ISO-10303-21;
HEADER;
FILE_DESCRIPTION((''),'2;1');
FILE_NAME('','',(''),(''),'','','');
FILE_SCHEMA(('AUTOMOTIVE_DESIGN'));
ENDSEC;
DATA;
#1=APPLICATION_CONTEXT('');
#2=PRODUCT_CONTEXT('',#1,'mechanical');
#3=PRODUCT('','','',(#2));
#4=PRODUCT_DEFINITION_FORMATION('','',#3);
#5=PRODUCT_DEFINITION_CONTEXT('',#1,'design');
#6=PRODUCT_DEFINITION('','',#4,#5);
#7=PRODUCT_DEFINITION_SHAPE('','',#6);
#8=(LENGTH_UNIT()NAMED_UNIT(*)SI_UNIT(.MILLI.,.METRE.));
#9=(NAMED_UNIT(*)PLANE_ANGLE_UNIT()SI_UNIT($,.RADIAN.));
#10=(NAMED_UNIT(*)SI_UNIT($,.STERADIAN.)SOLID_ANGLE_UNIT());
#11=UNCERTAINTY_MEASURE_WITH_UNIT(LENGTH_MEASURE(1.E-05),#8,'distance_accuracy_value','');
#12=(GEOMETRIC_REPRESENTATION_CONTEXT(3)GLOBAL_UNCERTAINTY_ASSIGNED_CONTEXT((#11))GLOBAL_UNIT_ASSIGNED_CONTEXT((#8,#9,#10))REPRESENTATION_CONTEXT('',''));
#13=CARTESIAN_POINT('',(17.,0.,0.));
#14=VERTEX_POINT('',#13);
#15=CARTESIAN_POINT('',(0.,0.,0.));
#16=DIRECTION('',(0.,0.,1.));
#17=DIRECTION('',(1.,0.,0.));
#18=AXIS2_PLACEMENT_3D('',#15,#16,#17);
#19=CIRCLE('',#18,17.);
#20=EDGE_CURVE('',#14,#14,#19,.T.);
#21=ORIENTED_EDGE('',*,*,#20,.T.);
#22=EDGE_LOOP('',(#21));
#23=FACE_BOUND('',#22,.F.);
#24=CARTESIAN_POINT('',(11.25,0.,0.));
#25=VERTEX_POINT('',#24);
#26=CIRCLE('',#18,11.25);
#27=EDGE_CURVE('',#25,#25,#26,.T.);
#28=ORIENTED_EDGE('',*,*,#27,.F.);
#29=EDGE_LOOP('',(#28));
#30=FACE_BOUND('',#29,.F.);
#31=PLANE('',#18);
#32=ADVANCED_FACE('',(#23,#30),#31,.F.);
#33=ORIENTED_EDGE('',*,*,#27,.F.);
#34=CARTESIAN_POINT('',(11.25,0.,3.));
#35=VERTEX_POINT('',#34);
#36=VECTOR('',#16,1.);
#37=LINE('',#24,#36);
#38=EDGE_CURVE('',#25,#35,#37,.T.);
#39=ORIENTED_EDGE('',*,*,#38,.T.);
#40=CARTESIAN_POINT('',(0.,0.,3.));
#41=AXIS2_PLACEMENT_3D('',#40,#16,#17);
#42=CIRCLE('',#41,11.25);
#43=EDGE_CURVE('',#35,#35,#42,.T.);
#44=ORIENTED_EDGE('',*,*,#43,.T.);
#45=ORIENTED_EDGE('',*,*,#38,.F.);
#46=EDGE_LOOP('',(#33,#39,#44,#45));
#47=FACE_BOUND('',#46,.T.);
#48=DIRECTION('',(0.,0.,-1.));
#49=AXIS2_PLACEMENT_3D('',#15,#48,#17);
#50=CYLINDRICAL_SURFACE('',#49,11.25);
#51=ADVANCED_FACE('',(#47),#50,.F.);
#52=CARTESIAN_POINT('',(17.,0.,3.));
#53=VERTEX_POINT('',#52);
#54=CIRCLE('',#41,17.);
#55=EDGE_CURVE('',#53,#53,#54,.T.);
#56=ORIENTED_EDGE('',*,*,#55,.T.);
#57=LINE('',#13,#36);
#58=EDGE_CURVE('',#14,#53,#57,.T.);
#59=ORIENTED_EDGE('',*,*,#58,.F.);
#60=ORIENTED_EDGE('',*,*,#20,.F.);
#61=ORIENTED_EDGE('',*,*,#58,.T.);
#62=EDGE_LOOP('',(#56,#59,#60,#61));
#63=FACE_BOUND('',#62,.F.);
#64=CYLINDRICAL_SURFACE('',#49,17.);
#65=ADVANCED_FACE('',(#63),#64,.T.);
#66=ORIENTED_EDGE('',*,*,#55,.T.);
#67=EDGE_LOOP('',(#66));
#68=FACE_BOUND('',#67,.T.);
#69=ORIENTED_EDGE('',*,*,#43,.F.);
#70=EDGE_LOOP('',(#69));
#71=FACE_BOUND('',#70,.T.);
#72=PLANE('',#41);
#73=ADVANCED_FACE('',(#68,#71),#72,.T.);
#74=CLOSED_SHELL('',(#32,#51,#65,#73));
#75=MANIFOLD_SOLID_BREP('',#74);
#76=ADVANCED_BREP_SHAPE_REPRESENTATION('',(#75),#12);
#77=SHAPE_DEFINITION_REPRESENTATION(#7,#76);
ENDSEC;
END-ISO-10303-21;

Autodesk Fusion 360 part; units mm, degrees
sketch "Sketch1" plane through (0, 0, 0) normal (0, 0, 1) x (1, 0, 0)
  circle A0 centre (0, 0) radius 11.25
  circle A1 centre (0, 0) radius 17
  dimension "d1" = 22.5
  dimension "d2" = 34
extrude "Extrude1" add sketch "Sketch1" along normal blind 3
